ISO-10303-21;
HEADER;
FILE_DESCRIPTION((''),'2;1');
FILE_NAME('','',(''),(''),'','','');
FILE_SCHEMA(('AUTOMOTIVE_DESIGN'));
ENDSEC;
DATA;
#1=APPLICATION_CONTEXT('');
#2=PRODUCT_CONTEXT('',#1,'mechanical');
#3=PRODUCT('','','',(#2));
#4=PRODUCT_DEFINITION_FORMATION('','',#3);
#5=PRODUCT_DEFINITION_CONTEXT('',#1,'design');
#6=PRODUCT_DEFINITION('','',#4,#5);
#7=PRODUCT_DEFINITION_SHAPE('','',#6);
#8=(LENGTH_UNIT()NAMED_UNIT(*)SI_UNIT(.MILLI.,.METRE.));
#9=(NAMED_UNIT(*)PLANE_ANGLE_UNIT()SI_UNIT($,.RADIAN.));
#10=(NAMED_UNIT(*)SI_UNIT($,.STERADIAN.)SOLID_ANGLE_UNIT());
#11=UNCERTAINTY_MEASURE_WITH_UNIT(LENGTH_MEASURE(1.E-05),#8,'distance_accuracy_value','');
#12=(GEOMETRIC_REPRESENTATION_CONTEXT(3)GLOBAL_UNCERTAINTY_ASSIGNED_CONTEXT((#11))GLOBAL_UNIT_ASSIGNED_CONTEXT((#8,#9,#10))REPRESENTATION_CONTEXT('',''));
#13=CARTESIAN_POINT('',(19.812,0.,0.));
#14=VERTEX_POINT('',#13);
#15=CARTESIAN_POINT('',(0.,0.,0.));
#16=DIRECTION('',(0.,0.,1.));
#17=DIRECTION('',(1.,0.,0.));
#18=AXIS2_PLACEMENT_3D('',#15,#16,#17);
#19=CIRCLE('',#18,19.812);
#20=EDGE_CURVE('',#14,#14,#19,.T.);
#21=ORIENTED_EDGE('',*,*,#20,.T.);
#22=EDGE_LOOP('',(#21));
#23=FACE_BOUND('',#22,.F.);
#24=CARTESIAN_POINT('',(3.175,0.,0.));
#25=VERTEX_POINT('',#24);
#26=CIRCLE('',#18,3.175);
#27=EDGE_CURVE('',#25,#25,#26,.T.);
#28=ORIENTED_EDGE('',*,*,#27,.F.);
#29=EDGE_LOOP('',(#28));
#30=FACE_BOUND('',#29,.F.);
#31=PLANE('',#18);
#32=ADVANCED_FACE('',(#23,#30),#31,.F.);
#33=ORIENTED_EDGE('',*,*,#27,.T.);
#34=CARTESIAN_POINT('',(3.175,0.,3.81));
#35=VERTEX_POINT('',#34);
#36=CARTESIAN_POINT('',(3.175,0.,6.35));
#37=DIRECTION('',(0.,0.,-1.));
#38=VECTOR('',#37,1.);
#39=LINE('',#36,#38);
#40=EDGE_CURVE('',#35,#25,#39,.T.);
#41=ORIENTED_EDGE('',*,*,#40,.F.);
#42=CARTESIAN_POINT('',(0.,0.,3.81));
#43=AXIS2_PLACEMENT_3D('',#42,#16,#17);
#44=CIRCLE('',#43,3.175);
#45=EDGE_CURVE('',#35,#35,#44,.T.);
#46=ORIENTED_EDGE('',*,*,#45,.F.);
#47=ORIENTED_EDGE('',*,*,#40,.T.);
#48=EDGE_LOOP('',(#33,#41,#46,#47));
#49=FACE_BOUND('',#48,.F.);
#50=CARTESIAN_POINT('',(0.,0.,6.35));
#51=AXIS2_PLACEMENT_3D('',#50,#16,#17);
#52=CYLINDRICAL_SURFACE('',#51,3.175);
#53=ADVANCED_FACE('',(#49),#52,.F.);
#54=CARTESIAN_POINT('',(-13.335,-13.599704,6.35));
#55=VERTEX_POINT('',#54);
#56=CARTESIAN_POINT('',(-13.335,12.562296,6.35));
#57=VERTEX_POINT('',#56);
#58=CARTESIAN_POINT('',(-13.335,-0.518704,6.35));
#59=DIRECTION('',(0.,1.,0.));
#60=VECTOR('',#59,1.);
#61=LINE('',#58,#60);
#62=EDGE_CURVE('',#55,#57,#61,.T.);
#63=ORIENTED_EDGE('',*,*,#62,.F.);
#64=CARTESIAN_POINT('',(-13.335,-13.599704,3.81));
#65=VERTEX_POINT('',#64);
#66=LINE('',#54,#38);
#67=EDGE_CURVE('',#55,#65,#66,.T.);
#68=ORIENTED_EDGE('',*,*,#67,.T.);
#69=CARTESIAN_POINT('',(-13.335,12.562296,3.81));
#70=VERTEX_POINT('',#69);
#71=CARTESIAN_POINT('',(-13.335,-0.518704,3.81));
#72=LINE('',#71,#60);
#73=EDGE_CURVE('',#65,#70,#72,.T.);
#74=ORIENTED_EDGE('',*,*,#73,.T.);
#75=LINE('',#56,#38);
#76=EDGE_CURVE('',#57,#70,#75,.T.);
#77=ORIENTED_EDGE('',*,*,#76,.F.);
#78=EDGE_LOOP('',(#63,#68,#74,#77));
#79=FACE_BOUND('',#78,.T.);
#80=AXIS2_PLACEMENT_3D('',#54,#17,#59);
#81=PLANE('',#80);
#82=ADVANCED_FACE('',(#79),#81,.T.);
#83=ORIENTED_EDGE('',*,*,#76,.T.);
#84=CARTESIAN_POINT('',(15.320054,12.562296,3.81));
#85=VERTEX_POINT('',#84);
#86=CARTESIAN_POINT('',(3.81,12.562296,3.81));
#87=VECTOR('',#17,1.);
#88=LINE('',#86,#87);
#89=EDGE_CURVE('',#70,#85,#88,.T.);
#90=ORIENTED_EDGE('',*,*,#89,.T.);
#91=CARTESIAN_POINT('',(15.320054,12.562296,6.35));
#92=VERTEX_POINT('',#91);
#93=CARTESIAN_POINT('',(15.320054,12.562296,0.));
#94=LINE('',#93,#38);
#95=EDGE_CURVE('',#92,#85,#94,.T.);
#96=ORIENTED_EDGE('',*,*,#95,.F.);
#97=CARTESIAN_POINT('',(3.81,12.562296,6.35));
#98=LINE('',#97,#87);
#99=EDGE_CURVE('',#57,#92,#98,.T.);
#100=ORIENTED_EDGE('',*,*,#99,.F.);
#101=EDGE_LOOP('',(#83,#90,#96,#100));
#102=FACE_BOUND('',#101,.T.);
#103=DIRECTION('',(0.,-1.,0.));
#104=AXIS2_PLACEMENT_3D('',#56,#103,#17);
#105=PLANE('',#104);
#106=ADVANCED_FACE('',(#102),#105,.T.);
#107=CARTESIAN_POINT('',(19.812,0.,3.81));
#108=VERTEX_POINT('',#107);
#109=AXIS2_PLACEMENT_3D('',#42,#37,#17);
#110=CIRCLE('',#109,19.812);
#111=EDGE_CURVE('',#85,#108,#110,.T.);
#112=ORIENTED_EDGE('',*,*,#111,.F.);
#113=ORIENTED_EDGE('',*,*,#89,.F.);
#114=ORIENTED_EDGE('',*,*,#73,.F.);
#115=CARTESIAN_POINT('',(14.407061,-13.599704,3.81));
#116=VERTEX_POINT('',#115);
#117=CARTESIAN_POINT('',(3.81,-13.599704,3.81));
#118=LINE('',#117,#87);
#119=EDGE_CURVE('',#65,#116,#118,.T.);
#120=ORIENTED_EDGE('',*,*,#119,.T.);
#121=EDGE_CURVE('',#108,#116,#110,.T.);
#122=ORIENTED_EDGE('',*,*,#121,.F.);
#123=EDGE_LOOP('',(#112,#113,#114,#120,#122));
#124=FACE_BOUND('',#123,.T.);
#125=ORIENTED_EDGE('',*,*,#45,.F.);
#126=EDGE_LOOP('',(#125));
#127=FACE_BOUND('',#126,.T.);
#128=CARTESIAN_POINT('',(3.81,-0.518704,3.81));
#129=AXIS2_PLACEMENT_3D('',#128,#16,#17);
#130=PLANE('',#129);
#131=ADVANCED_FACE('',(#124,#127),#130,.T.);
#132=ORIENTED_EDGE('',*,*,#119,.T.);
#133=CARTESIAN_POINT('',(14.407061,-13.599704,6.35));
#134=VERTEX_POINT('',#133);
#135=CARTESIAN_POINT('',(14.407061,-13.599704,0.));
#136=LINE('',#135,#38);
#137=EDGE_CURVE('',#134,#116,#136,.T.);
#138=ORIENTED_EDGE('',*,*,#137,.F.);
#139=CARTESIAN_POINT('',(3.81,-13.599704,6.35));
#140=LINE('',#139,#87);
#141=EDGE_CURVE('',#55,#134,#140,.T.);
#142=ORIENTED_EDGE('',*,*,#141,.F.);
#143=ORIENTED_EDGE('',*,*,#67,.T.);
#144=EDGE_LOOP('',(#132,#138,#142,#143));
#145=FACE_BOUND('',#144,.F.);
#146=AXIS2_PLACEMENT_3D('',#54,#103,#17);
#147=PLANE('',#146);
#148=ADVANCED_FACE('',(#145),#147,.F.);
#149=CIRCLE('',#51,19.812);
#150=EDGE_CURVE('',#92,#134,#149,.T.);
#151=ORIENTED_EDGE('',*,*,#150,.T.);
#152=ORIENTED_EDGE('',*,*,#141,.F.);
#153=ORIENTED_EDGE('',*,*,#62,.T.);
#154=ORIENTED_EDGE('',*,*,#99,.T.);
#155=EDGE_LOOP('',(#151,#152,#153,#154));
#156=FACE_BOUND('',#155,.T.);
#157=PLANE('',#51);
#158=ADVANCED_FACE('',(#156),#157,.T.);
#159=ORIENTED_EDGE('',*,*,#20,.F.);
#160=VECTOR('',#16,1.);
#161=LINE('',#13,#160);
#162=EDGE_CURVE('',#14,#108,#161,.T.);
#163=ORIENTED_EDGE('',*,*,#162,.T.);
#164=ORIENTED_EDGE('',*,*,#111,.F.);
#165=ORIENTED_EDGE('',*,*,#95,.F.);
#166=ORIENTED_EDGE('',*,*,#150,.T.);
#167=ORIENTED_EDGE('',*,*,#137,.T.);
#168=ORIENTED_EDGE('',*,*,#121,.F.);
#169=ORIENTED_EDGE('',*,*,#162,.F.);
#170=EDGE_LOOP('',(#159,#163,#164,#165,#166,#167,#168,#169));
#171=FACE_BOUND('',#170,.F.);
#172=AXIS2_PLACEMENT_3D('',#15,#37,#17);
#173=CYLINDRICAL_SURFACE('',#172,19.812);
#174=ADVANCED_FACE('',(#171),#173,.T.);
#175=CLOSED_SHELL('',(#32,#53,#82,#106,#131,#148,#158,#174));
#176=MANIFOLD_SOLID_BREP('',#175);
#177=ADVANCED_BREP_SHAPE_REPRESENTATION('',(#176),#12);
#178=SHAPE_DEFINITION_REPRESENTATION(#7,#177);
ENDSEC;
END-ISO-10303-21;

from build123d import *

# Parameters (mm, degrees)
F0_R     = 19.812
F1_DEPTH = 6.35
F2_R     = 3.175
F3_DEPTH = 25.4
F4_W     = 34.29
F4_H     = 26.162
F5_DEPTH = 2.54


with BuildPart() as f1:
    # F0 (on Top) → F1 (new body)
    with BuildSketch(Plane.XY):
        Circle(F0_R)
    extrude(amount=F1_DEPTH)

    # F2 (on face) → F3 (cut)
    with BuildSketch(Plane.XY.offset(6.35)):
        Circle(F2_R)
    extrude(amount=-F3_DEPTH, mode=Mode.SUBTRACT)

    # F4 (on face) → F5 (cut)
    with BuildSketch(Plane.XY.offset(6.35)):
        with Locations((3.81, -0.518704)):
            Rectangle(F4_W, F4_H)
    extrude(amount=-F5_DEPTH, mode=Mode.SUBTRACT)


solid = f1.part
